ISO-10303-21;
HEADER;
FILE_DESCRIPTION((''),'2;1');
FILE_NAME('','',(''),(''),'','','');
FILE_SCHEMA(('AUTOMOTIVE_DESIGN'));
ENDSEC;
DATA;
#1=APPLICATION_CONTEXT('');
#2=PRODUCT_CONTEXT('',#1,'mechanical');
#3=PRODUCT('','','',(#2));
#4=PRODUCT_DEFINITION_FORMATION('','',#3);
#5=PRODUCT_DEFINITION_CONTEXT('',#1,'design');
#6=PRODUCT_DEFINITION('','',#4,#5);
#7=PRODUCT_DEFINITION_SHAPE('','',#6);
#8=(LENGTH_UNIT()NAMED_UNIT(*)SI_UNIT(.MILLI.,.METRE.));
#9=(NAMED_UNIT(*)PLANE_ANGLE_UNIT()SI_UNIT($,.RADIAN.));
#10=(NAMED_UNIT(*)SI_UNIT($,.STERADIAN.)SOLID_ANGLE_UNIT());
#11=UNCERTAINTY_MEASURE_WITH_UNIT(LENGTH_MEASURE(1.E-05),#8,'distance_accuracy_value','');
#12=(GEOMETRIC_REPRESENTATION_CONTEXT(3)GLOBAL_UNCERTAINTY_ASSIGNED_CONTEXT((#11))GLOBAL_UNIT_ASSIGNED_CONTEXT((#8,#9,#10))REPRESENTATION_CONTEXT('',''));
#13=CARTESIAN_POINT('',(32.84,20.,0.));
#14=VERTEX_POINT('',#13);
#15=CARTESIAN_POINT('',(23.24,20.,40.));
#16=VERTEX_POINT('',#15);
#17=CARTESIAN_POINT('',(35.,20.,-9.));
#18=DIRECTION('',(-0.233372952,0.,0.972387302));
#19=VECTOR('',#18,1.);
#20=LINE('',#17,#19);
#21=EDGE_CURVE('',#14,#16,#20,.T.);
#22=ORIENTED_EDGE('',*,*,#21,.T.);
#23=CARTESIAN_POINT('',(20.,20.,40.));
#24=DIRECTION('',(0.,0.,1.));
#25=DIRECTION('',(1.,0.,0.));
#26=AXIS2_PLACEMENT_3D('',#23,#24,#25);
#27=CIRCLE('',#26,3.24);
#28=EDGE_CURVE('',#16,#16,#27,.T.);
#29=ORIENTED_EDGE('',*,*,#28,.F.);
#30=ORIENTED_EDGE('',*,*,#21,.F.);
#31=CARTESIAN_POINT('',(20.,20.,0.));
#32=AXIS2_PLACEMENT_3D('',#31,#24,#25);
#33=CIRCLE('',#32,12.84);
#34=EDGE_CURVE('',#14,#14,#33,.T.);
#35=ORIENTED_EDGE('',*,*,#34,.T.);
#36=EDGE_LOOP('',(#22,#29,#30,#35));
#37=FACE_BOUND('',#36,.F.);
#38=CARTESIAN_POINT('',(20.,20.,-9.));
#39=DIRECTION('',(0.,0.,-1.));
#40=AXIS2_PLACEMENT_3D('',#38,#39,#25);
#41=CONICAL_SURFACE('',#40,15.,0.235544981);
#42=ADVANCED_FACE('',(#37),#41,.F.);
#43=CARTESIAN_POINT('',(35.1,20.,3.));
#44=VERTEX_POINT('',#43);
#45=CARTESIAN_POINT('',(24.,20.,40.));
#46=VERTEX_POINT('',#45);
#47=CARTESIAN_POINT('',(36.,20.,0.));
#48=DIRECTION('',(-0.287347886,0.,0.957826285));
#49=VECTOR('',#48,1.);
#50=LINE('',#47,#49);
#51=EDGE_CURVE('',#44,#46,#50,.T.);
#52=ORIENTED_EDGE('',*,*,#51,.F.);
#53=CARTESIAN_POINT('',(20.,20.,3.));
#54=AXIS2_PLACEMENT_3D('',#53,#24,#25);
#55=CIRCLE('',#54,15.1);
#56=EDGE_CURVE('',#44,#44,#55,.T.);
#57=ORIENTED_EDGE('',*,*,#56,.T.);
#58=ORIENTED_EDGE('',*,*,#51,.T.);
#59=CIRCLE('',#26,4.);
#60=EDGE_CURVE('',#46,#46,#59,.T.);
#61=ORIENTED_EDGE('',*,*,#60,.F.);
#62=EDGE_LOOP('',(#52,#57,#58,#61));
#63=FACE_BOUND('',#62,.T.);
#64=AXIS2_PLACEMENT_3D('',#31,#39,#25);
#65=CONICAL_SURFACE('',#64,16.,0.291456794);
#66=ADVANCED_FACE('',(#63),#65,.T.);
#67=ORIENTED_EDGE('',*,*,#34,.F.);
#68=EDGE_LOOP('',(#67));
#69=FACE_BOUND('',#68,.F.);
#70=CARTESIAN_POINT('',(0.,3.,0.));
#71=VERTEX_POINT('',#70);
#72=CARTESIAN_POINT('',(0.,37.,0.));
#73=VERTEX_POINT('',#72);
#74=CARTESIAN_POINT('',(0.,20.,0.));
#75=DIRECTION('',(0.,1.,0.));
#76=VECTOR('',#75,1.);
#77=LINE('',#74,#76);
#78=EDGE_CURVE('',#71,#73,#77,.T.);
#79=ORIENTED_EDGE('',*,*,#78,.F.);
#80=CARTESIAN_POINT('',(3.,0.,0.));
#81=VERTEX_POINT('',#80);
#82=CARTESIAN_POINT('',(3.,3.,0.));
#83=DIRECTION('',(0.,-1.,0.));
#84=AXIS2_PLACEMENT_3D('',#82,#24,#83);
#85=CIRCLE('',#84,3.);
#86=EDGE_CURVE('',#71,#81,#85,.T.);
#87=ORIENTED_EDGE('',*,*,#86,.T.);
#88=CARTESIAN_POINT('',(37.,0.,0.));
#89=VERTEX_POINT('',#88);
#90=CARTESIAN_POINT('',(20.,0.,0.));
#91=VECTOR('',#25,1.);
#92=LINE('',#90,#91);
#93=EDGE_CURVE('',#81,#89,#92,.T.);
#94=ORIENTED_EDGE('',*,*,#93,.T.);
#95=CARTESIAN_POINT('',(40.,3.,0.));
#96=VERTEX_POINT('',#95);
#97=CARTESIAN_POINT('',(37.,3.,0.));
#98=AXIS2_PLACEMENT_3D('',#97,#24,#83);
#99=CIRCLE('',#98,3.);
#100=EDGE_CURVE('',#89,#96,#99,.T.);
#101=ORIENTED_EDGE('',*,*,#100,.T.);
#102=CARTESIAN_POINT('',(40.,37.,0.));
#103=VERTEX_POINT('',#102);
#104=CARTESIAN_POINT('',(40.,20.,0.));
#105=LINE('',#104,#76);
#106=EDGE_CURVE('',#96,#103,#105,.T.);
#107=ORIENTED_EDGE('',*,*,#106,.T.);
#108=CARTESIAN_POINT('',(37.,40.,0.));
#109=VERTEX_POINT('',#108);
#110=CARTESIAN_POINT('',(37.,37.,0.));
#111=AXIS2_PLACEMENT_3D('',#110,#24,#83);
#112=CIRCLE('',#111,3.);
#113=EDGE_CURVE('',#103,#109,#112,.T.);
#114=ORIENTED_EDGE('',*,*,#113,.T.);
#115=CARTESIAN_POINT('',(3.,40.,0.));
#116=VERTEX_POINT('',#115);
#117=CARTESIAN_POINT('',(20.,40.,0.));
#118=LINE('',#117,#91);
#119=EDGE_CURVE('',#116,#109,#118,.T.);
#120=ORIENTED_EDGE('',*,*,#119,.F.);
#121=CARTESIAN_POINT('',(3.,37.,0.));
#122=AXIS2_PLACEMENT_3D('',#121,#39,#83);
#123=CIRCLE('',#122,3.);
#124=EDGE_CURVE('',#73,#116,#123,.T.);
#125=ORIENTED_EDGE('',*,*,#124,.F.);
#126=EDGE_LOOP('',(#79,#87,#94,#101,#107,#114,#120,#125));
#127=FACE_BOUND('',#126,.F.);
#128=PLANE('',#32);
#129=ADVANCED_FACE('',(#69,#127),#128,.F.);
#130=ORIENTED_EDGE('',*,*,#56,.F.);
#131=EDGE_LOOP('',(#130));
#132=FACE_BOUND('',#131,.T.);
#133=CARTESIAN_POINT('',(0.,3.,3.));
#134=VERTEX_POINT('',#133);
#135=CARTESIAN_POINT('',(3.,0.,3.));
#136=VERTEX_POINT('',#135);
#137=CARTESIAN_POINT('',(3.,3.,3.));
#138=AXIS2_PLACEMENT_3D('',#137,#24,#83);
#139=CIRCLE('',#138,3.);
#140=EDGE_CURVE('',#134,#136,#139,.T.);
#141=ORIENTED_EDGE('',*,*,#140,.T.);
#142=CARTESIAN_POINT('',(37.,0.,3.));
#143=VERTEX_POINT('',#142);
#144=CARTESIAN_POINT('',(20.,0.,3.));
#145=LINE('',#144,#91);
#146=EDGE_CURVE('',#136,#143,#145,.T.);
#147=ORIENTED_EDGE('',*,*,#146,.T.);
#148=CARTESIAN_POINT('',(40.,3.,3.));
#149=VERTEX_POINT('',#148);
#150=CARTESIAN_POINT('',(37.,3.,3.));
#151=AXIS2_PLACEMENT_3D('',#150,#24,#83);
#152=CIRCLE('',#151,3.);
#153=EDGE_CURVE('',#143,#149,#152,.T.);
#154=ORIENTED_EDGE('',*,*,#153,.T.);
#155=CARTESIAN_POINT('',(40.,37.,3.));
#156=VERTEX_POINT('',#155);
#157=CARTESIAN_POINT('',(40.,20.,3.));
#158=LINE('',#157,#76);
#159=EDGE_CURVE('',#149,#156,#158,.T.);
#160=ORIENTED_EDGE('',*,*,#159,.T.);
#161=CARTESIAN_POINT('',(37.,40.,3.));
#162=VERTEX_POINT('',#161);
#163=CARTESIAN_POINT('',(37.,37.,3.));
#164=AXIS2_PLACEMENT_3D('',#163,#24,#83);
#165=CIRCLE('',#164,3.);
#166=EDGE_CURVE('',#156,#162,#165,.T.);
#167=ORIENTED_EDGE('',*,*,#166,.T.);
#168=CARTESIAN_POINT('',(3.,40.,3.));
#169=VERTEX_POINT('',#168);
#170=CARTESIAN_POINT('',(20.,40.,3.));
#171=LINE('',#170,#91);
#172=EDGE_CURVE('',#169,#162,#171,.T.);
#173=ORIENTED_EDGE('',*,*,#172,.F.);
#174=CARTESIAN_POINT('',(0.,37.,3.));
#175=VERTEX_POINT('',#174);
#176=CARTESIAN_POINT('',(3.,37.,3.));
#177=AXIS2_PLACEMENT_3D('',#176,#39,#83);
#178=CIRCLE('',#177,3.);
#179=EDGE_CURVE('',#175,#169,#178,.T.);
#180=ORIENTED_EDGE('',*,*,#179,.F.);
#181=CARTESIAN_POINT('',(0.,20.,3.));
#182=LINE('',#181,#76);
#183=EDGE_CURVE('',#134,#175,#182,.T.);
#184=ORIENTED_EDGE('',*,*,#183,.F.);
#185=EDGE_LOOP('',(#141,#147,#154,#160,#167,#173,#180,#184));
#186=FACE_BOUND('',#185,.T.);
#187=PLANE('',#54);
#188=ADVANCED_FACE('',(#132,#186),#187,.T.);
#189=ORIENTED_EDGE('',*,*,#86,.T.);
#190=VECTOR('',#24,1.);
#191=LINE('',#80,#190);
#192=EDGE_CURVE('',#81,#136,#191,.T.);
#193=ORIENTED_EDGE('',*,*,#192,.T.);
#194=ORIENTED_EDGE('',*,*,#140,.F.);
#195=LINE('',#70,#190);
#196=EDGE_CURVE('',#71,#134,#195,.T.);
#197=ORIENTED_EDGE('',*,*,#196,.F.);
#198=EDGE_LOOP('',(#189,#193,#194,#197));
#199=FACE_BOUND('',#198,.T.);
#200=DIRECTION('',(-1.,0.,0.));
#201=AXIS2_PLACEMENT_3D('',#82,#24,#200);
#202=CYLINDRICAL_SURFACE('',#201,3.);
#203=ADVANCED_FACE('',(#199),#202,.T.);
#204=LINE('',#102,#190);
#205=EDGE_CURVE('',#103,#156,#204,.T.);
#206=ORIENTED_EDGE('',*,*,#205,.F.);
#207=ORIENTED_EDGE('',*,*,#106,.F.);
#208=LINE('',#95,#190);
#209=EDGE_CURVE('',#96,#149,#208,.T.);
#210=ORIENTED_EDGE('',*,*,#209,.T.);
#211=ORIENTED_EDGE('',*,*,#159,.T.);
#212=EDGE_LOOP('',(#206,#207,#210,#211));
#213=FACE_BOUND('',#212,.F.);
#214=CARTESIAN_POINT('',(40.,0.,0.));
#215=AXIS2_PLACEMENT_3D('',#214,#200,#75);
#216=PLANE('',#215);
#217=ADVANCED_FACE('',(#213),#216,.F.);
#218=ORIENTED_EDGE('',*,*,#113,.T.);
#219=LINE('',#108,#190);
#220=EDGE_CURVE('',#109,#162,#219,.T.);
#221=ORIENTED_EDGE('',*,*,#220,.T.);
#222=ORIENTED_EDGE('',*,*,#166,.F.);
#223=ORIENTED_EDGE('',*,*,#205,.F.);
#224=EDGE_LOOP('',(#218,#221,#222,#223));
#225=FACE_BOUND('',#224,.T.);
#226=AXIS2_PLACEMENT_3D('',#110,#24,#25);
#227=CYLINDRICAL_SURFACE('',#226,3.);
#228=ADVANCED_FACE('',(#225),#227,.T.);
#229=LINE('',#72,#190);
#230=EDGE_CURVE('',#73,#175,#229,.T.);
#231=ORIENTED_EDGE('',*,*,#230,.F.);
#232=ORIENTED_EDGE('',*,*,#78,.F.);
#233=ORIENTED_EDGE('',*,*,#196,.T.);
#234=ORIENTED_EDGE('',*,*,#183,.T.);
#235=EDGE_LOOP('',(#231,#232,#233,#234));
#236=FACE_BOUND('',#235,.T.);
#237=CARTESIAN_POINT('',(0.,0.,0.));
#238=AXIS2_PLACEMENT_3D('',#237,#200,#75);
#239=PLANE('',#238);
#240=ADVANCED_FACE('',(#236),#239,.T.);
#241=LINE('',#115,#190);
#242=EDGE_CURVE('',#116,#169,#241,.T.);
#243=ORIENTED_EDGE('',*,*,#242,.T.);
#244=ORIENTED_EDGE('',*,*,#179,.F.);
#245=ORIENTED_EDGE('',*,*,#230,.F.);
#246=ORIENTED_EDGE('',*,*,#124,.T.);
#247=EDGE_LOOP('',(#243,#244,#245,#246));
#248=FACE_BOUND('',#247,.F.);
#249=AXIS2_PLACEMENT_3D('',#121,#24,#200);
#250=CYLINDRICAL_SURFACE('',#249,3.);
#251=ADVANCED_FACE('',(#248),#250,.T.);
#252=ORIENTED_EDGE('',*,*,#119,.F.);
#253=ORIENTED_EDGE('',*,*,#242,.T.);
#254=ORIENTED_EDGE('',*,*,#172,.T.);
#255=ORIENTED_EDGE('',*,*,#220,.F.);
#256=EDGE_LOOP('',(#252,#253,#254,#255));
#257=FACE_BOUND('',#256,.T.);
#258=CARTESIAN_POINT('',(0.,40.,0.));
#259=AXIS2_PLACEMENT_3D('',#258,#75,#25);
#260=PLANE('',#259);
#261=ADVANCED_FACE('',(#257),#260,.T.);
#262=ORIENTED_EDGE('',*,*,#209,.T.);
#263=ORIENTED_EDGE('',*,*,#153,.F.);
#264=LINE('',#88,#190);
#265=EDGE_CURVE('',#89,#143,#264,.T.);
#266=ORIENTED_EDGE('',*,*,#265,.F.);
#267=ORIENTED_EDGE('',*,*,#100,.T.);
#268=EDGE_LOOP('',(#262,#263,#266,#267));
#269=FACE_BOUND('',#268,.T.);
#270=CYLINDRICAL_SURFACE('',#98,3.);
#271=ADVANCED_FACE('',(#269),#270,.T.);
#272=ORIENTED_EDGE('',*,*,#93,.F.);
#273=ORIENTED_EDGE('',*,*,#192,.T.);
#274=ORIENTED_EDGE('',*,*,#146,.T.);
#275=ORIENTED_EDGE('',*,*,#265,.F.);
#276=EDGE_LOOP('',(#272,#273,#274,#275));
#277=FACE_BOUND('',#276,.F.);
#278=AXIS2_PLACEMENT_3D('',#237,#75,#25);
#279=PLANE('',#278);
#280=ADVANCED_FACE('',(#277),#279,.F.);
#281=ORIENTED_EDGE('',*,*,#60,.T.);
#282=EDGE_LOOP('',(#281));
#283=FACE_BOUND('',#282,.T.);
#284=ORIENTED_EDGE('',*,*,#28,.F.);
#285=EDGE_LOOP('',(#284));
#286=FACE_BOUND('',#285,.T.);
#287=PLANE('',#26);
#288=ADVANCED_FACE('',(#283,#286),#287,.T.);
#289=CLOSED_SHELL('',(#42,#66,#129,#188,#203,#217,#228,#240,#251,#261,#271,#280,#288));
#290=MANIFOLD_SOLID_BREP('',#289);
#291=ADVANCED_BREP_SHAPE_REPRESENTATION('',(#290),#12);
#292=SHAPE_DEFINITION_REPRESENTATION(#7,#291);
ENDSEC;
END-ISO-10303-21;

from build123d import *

# Parameters (mm, degrees)
BOX_W     = 40
BOX_H     = 40
BOX_DEPTH = 3
FILLET_R  = 3


with BuildPart() as con001:
    # Cone001 → Cone001 (revolve)
    with BuildSketch(Plane(origin=(0, 0, -9), x_dir=(1, 0, 0), z_dir=(0, -1, 0))):
        Polygon((0, 0), (15, 0), (3, 50), (0, 50), align=None)
    revolve(axis=Axis((0, 0, -9), (0, 0, 1)))


with BuildPart() as fillet_body:
    # Box → Box (new body)
    with BuildSketch(Plane(origin=(-20, -20, 0), x_dir=(1, 0, 0), z_dir=(0, 0, 1))):
        with Locations((20, 20)):
            Rectangle(BOX_W, BOX_H)
    extrude(amount=BOX_DEPTH)

    # Fillet
    fillet_edges = [fillet_body.edges().sort_by_distance(p)[0] for p in [
        (-20, -20, 1.5),
        (-20, 20, 1.5),
        (20, -20, 1.5),
        (20, 20, 1.5),
    ]]
    fillet(fillet_edges, radius=FILLET_R)


with BuildPart() as cut:
    # Cone → Cone (revolve)
    with BuildSketch(Plane.XZ):
        Polygon((0, 0), (16, 0), (4, 40), (0, 40), align=None)
    revolve(axis=Axis((0, 0, 0), (0, 0, 1)))

    # Fusion: union Fillet body
    add(fillet_body.part)

    # Cut: cut Con001
    add(con001.part, mode=Mode.SUBTRACT)


with BuildPart() as cut_1:
    # Cut placement: moved
    add(cut.part.moved(Location((20, 20, 0))))


solid = cut_1.part
